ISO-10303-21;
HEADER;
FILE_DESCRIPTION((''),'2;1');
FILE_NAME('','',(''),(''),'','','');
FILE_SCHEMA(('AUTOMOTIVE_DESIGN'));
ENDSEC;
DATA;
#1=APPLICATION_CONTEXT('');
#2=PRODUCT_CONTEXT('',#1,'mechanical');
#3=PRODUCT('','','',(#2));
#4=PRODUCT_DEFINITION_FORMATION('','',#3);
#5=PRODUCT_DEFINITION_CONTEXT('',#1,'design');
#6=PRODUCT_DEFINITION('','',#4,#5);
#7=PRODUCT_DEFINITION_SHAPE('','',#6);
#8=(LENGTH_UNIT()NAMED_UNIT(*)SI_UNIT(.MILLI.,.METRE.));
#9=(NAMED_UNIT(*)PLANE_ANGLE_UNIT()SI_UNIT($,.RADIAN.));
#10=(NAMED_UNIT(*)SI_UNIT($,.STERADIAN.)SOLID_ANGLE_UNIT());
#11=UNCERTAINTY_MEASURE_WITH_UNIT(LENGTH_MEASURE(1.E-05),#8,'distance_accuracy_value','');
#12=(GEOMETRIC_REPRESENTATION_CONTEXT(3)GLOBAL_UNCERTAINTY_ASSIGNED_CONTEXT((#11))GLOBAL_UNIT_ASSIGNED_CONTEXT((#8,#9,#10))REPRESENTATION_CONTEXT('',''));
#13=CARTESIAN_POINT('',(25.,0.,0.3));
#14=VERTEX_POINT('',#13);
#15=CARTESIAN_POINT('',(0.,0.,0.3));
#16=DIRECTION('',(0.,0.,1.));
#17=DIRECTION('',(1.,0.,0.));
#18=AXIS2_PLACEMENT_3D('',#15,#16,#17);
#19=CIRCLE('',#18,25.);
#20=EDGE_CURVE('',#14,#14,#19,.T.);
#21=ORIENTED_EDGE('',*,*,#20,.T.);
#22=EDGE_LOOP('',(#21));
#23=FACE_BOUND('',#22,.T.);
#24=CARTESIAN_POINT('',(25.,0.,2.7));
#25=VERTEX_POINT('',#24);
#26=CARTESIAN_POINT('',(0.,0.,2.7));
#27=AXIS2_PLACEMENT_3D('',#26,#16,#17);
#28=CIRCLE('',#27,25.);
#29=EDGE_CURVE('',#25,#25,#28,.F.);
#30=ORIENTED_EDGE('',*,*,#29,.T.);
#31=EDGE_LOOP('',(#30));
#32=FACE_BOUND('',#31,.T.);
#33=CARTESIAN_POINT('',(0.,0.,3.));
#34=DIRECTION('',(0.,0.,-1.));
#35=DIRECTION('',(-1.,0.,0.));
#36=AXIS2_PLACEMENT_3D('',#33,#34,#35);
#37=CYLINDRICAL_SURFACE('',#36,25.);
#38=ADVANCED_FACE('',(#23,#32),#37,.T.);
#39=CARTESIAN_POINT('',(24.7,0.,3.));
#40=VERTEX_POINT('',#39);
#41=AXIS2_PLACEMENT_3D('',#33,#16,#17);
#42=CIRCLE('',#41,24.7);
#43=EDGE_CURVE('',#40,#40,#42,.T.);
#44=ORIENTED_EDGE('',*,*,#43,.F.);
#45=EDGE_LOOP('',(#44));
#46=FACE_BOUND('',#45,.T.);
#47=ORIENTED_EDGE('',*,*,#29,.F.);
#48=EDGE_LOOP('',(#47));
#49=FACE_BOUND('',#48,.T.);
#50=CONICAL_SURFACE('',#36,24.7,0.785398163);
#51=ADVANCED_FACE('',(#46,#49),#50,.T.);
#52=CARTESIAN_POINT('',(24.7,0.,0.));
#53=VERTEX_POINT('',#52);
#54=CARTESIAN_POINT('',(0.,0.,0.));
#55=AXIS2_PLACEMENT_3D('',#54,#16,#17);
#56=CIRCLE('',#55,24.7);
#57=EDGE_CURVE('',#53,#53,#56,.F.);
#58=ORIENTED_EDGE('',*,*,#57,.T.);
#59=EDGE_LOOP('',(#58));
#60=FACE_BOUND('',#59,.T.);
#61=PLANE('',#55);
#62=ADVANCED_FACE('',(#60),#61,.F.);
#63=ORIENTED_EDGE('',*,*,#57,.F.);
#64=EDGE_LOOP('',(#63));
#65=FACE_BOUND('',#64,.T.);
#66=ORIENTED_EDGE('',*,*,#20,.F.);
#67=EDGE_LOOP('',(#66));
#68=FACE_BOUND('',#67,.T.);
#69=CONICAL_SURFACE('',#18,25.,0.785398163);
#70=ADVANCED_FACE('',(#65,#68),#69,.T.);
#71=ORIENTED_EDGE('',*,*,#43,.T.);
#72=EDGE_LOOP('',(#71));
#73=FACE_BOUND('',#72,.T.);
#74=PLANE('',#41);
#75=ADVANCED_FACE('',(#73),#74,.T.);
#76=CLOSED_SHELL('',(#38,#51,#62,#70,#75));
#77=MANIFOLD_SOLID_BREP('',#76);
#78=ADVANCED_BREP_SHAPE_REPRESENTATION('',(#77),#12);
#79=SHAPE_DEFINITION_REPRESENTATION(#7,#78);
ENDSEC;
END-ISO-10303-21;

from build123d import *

# Parameters (mm, degrees)
SKETCH_1_R      = 25
EXTRUDE_1_DEPTH = 3
CHAMFER_1_SIZE  = 0.3


with BuildPart() as part:
    # 草图1 → 凸台-拉伸1 (new body)
    with BuildSketch(Plane.XY):
        Circle(SKETCH_1_R)
    extrude(amount=EXTRUDE_1_DEPTH)

    # 倒角1
    chamfer_1_edges = [part.edges().sort_by_distance(p)[0] for p in [
        (-25, 0, 0),
        (-25, 0, 3),
    ]]
    chamfer(chamfer_1_edges, length=CHAMFER_1_SIZE)


solid = part.part
